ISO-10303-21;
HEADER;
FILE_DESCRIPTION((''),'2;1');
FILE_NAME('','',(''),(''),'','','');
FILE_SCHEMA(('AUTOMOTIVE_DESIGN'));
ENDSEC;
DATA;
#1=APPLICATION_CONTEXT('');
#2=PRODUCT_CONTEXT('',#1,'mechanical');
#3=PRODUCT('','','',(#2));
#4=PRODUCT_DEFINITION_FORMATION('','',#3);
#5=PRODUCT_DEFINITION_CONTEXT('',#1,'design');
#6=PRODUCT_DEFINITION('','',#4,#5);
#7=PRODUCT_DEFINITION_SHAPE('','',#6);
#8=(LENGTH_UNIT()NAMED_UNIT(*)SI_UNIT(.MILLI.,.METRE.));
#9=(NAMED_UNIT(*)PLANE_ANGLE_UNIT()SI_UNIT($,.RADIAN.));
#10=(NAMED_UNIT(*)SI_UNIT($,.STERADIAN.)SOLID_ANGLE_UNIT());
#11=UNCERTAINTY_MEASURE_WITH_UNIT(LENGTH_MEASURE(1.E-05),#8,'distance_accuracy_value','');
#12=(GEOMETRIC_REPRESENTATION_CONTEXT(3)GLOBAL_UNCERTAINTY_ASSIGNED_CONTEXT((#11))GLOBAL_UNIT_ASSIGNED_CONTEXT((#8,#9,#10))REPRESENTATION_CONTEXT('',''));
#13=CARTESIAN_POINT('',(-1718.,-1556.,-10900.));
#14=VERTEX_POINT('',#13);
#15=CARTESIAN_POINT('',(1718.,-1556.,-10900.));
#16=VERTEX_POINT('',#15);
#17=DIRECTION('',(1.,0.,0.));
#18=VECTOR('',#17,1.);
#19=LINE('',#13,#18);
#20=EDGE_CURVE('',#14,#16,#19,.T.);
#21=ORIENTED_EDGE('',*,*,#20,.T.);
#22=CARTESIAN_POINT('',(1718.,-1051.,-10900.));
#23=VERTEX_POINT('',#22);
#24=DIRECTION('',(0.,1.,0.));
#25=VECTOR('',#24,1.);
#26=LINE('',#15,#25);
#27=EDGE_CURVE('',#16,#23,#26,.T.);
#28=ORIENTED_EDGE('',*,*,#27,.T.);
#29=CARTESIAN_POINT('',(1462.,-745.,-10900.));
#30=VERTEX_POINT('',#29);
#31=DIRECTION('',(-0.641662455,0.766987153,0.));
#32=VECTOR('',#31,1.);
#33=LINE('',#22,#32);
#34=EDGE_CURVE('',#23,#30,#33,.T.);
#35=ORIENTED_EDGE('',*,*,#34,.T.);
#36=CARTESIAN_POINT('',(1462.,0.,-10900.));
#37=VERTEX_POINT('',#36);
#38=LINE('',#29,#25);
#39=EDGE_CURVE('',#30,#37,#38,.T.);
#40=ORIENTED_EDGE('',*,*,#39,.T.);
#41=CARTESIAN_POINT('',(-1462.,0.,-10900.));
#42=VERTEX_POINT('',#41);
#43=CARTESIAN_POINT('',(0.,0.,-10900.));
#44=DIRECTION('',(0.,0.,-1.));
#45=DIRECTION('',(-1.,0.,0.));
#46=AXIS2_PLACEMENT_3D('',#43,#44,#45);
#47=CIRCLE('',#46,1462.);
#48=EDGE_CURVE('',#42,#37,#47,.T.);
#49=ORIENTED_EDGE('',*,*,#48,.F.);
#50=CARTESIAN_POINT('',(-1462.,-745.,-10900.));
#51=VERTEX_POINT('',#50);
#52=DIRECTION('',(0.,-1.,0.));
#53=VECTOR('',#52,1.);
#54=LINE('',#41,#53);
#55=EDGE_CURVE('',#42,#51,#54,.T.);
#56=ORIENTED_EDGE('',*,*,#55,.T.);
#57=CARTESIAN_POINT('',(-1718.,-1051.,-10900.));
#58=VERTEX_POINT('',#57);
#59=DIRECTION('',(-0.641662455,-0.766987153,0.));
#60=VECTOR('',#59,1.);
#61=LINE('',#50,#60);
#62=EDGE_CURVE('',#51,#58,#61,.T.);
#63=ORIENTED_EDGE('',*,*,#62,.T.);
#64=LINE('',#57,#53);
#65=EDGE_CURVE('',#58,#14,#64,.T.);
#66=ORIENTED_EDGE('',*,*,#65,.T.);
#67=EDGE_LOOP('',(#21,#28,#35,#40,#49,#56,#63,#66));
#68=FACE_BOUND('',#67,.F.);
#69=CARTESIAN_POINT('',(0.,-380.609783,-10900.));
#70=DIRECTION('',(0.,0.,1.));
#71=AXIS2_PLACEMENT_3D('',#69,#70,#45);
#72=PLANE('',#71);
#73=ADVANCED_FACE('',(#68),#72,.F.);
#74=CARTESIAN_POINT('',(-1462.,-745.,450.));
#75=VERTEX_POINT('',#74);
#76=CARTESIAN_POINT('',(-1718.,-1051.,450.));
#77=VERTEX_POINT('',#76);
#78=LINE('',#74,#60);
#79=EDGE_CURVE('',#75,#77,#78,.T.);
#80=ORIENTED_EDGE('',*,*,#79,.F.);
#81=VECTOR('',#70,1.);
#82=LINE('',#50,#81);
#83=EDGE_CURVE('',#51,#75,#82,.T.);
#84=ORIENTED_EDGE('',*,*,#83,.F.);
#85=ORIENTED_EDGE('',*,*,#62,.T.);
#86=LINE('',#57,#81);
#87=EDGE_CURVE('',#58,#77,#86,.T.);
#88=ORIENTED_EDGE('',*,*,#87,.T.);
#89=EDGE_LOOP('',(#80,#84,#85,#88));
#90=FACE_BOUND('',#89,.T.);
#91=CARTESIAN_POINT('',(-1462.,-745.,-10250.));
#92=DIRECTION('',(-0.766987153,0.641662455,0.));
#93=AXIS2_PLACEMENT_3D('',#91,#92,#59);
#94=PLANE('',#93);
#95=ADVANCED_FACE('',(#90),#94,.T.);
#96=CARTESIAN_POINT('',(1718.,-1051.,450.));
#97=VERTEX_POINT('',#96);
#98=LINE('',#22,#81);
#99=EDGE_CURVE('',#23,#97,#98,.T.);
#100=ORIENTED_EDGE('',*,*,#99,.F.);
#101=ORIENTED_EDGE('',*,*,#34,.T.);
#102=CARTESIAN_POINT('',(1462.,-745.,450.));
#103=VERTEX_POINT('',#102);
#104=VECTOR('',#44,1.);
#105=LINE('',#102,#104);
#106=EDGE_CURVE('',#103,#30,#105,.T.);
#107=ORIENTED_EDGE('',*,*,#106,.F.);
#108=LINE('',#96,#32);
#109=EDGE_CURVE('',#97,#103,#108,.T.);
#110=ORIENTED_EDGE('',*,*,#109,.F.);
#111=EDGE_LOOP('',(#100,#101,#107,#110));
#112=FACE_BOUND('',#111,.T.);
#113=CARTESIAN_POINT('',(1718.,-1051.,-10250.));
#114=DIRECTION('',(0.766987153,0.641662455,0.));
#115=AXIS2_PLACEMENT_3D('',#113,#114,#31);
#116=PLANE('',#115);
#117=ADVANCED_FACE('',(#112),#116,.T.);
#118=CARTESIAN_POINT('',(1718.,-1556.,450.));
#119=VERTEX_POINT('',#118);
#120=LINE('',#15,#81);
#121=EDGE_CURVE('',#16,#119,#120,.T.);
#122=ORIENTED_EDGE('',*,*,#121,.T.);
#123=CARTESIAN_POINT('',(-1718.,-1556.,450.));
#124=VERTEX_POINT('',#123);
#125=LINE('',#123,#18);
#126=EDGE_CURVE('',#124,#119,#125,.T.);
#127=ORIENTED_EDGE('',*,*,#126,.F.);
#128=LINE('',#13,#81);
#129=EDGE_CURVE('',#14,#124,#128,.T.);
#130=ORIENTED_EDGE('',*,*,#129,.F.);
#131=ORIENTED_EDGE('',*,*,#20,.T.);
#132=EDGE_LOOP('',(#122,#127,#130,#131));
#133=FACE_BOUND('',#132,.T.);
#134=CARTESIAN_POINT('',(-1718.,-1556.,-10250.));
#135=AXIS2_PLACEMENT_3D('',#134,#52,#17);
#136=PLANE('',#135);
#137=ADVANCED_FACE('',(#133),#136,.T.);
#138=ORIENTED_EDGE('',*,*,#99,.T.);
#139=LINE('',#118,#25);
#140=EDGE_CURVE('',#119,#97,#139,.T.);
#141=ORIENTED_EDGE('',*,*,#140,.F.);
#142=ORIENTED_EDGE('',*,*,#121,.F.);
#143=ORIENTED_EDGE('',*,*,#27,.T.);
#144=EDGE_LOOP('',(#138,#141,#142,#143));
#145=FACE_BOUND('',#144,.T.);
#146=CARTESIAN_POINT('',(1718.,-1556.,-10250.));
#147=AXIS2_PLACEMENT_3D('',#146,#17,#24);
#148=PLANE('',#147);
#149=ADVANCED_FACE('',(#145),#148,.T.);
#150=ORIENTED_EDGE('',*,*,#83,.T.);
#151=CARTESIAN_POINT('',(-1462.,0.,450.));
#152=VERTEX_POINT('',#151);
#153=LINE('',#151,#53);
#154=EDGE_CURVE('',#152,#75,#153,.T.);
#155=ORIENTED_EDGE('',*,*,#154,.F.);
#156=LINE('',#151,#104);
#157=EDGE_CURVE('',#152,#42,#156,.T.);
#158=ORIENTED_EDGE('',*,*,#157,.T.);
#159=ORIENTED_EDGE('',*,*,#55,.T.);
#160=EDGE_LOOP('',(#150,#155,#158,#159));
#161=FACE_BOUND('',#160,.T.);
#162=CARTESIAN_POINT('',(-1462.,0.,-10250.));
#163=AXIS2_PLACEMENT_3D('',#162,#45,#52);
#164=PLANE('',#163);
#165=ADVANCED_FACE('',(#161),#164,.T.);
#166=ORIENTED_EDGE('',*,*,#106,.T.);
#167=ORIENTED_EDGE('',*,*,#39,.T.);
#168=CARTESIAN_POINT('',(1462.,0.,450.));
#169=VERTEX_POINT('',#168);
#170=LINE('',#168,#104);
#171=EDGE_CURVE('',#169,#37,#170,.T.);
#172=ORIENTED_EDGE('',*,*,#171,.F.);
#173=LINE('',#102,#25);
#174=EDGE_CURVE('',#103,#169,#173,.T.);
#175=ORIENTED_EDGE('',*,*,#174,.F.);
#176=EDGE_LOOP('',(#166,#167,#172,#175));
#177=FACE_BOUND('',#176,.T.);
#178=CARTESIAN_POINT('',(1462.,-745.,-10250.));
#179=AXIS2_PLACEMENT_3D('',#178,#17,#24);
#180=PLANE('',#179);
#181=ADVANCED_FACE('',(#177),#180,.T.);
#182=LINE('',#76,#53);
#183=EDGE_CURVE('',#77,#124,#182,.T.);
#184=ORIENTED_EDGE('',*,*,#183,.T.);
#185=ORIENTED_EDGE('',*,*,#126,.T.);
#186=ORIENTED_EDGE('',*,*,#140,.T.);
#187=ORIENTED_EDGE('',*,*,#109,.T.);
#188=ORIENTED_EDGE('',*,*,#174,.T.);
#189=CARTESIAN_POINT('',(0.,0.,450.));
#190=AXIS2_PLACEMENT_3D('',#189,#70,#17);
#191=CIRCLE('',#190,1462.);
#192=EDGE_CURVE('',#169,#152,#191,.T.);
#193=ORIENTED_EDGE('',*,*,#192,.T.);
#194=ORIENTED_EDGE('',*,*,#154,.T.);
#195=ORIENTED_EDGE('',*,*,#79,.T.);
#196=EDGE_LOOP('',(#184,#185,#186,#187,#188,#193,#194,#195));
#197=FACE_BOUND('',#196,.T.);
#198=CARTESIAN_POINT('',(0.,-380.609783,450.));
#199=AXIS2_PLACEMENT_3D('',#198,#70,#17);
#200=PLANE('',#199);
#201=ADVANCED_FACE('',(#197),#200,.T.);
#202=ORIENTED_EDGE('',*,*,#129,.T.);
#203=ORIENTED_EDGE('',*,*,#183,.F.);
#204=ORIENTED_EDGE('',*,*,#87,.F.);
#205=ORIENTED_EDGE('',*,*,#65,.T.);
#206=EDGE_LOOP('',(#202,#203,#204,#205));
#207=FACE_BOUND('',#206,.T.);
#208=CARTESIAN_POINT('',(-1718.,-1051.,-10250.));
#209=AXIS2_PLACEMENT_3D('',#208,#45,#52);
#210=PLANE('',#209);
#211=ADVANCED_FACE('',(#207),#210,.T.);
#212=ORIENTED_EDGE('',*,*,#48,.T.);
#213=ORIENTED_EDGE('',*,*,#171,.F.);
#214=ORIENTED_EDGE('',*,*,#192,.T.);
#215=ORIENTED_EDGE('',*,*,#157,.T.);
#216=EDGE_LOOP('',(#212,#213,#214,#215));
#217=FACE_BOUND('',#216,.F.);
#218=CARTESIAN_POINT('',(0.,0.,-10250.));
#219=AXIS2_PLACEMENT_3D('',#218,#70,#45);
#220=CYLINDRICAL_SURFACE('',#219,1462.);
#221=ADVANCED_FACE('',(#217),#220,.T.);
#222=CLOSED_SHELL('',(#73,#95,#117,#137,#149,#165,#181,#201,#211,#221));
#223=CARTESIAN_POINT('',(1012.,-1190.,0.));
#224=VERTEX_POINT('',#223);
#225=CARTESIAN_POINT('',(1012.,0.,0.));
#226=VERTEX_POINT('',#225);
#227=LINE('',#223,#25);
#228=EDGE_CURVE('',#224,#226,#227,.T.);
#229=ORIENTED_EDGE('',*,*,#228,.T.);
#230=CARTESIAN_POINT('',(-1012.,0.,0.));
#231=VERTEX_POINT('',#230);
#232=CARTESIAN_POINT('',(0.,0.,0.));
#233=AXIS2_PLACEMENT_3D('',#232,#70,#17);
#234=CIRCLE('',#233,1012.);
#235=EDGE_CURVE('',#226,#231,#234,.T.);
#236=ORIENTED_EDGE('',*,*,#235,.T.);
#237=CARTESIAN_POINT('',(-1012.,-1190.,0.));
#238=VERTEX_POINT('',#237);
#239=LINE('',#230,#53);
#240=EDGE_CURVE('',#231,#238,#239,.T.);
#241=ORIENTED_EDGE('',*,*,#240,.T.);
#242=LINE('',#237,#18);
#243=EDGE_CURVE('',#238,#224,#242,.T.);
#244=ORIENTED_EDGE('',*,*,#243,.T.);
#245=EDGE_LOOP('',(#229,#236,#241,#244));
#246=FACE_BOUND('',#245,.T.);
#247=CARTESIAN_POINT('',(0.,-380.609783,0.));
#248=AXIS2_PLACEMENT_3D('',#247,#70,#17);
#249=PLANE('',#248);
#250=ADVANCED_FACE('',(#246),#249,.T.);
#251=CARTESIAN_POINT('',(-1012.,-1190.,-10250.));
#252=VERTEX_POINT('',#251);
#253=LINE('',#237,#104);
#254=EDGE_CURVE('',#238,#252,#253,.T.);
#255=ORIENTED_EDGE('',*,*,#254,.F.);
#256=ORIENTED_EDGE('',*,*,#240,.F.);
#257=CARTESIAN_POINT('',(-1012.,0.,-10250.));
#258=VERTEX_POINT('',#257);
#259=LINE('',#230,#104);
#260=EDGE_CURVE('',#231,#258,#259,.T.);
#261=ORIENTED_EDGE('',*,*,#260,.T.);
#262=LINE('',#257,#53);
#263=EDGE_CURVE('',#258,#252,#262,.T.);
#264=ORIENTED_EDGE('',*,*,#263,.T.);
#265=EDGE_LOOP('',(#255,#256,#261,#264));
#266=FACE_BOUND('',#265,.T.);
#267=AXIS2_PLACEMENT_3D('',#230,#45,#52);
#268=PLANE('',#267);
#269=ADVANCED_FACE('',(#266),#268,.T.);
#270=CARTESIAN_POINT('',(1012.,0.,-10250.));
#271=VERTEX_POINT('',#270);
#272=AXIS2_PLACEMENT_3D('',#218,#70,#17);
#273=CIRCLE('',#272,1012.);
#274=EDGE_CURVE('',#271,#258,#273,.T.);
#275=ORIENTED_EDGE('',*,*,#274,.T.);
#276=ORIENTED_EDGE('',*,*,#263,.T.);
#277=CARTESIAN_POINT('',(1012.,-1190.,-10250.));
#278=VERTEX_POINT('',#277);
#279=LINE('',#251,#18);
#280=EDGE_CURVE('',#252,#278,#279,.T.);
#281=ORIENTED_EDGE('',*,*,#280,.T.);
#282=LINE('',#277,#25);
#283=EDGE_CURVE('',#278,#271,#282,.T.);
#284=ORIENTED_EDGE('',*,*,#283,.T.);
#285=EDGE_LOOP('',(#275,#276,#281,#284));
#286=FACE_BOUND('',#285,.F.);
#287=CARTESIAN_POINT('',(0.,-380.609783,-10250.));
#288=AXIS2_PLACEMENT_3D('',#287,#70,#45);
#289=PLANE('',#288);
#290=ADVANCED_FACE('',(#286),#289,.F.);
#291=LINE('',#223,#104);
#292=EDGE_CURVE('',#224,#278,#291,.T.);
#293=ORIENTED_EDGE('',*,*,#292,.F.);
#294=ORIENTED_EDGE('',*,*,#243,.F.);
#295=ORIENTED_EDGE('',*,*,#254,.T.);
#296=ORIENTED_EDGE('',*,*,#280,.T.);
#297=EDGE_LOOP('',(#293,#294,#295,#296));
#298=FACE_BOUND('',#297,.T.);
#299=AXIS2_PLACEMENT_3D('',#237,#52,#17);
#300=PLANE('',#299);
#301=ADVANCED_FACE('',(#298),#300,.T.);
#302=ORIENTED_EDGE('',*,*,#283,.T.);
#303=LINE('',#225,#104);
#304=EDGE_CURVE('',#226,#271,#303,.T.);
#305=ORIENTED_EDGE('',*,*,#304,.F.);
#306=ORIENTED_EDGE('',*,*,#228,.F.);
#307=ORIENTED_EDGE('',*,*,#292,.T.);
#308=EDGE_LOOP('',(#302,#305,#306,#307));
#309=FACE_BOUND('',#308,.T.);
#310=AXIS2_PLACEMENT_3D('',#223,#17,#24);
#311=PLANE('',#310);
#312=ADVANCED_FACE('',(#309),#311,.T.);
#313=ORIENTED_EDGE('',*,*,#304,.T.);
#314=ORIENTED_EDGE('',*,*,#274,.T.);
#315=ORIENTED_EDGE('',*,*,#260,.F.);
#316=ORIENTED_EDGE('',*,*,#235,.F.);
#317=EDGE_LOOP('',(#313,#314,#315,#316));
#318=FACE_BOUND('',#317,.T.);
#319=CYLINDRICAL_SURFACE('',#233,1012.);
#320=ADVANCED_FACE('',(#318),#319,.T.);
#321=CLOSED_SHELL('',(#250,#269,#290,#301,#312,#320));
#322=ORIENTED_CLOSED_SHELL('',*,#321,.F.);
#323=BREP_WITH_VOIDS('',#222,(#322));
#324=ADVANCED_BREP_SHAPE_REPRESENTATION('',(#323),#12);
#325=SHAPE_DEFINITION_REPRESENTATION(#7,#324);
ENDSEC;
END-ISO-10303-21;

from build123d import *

# Parameters (mm, degrees)
PAD_DEPTH    = 10250
PAD001_DEPTH = 450
PAD002_DEPTH = 650


with BuildPart() as part:
    # Sketch001 → Pad (new body)
    with BuildSketch(Plane.XY):
        with BuildLine():
            ThreePointArc((1462, 0), (0, 1462), (-1462, 0))
            Line((-1462, 0), (-1462, -745))
            Line((-1462, -745), (-1718, -1051))
            Line((-1718, -1051), (-1718, -1556))
            Line((-1718, -1556), (1718, -1556))
            Line((1718, -1556), (1718, -1051))
            Line((1718, -1051), (1462, -745))
            Line((1462, -745), (1462, 0))
        make_face()
        with BuildLine():
            ThreePointArc((1012, 0), (0, 1012), (-1012, 0))
            Line((-1012, 0), (-1012, -1190))
            Line((-1012, -1190), (1012, -1190))
            Line((1012, -1190), (1012, 0))
        make_face(mode=Mode.SUBTRACT)
    extrude(amount=-PAD_DEPTH)

    # Sketch002 (on Face13 of Pad) → Pad001 (join)
    with BuildSketch(Plane.XY):
        with BuildLine():
            Line((-1462, 0), (-1462, -745))
            Line((-1462, -745), (-1718, -1051))
            Line((-1718, -1051), (-1718, -1556))
            Line((-1718, -1556), (1718, -1556))
            Line((1718, -1556), (1718, -1051))
            Line((1718, -1051), (1462, -745))
            Line((1462, -745), (1462, 0))
            ThreePointArc((1462, 0), (0, 1462), (-1462, 0))
        make_face()
    extrude(amount=PAD001_DEPTH)

    # Sketch003 (on Face1 of Pad001) → Pad002 (join)
    with BuildSketch(Plane(origin=(0, 0, -10250), x_dir=(1, 0, 0), z_dir=(0, 0, -1))):
        with BuildLine():
            Line((-1462, 0), (-1462, 745))
            Line((-1462, 745), (-1718, 1051))
            Line((-1718, 1051), (-1718, 1556))
            Line((-1718, 1556), (1718, 1556))
            Line((1718, 1556), (1718, 1051))
            Line((1718, 1051), (1462, 745))
            Line((1462, 745), (1462, 0))
            ThreePointArc((-1462, 0), (0, -1462), (1462, 0))
        make_face()
    extrude(amount=PAD002_DEPTH)


solid = part.part
